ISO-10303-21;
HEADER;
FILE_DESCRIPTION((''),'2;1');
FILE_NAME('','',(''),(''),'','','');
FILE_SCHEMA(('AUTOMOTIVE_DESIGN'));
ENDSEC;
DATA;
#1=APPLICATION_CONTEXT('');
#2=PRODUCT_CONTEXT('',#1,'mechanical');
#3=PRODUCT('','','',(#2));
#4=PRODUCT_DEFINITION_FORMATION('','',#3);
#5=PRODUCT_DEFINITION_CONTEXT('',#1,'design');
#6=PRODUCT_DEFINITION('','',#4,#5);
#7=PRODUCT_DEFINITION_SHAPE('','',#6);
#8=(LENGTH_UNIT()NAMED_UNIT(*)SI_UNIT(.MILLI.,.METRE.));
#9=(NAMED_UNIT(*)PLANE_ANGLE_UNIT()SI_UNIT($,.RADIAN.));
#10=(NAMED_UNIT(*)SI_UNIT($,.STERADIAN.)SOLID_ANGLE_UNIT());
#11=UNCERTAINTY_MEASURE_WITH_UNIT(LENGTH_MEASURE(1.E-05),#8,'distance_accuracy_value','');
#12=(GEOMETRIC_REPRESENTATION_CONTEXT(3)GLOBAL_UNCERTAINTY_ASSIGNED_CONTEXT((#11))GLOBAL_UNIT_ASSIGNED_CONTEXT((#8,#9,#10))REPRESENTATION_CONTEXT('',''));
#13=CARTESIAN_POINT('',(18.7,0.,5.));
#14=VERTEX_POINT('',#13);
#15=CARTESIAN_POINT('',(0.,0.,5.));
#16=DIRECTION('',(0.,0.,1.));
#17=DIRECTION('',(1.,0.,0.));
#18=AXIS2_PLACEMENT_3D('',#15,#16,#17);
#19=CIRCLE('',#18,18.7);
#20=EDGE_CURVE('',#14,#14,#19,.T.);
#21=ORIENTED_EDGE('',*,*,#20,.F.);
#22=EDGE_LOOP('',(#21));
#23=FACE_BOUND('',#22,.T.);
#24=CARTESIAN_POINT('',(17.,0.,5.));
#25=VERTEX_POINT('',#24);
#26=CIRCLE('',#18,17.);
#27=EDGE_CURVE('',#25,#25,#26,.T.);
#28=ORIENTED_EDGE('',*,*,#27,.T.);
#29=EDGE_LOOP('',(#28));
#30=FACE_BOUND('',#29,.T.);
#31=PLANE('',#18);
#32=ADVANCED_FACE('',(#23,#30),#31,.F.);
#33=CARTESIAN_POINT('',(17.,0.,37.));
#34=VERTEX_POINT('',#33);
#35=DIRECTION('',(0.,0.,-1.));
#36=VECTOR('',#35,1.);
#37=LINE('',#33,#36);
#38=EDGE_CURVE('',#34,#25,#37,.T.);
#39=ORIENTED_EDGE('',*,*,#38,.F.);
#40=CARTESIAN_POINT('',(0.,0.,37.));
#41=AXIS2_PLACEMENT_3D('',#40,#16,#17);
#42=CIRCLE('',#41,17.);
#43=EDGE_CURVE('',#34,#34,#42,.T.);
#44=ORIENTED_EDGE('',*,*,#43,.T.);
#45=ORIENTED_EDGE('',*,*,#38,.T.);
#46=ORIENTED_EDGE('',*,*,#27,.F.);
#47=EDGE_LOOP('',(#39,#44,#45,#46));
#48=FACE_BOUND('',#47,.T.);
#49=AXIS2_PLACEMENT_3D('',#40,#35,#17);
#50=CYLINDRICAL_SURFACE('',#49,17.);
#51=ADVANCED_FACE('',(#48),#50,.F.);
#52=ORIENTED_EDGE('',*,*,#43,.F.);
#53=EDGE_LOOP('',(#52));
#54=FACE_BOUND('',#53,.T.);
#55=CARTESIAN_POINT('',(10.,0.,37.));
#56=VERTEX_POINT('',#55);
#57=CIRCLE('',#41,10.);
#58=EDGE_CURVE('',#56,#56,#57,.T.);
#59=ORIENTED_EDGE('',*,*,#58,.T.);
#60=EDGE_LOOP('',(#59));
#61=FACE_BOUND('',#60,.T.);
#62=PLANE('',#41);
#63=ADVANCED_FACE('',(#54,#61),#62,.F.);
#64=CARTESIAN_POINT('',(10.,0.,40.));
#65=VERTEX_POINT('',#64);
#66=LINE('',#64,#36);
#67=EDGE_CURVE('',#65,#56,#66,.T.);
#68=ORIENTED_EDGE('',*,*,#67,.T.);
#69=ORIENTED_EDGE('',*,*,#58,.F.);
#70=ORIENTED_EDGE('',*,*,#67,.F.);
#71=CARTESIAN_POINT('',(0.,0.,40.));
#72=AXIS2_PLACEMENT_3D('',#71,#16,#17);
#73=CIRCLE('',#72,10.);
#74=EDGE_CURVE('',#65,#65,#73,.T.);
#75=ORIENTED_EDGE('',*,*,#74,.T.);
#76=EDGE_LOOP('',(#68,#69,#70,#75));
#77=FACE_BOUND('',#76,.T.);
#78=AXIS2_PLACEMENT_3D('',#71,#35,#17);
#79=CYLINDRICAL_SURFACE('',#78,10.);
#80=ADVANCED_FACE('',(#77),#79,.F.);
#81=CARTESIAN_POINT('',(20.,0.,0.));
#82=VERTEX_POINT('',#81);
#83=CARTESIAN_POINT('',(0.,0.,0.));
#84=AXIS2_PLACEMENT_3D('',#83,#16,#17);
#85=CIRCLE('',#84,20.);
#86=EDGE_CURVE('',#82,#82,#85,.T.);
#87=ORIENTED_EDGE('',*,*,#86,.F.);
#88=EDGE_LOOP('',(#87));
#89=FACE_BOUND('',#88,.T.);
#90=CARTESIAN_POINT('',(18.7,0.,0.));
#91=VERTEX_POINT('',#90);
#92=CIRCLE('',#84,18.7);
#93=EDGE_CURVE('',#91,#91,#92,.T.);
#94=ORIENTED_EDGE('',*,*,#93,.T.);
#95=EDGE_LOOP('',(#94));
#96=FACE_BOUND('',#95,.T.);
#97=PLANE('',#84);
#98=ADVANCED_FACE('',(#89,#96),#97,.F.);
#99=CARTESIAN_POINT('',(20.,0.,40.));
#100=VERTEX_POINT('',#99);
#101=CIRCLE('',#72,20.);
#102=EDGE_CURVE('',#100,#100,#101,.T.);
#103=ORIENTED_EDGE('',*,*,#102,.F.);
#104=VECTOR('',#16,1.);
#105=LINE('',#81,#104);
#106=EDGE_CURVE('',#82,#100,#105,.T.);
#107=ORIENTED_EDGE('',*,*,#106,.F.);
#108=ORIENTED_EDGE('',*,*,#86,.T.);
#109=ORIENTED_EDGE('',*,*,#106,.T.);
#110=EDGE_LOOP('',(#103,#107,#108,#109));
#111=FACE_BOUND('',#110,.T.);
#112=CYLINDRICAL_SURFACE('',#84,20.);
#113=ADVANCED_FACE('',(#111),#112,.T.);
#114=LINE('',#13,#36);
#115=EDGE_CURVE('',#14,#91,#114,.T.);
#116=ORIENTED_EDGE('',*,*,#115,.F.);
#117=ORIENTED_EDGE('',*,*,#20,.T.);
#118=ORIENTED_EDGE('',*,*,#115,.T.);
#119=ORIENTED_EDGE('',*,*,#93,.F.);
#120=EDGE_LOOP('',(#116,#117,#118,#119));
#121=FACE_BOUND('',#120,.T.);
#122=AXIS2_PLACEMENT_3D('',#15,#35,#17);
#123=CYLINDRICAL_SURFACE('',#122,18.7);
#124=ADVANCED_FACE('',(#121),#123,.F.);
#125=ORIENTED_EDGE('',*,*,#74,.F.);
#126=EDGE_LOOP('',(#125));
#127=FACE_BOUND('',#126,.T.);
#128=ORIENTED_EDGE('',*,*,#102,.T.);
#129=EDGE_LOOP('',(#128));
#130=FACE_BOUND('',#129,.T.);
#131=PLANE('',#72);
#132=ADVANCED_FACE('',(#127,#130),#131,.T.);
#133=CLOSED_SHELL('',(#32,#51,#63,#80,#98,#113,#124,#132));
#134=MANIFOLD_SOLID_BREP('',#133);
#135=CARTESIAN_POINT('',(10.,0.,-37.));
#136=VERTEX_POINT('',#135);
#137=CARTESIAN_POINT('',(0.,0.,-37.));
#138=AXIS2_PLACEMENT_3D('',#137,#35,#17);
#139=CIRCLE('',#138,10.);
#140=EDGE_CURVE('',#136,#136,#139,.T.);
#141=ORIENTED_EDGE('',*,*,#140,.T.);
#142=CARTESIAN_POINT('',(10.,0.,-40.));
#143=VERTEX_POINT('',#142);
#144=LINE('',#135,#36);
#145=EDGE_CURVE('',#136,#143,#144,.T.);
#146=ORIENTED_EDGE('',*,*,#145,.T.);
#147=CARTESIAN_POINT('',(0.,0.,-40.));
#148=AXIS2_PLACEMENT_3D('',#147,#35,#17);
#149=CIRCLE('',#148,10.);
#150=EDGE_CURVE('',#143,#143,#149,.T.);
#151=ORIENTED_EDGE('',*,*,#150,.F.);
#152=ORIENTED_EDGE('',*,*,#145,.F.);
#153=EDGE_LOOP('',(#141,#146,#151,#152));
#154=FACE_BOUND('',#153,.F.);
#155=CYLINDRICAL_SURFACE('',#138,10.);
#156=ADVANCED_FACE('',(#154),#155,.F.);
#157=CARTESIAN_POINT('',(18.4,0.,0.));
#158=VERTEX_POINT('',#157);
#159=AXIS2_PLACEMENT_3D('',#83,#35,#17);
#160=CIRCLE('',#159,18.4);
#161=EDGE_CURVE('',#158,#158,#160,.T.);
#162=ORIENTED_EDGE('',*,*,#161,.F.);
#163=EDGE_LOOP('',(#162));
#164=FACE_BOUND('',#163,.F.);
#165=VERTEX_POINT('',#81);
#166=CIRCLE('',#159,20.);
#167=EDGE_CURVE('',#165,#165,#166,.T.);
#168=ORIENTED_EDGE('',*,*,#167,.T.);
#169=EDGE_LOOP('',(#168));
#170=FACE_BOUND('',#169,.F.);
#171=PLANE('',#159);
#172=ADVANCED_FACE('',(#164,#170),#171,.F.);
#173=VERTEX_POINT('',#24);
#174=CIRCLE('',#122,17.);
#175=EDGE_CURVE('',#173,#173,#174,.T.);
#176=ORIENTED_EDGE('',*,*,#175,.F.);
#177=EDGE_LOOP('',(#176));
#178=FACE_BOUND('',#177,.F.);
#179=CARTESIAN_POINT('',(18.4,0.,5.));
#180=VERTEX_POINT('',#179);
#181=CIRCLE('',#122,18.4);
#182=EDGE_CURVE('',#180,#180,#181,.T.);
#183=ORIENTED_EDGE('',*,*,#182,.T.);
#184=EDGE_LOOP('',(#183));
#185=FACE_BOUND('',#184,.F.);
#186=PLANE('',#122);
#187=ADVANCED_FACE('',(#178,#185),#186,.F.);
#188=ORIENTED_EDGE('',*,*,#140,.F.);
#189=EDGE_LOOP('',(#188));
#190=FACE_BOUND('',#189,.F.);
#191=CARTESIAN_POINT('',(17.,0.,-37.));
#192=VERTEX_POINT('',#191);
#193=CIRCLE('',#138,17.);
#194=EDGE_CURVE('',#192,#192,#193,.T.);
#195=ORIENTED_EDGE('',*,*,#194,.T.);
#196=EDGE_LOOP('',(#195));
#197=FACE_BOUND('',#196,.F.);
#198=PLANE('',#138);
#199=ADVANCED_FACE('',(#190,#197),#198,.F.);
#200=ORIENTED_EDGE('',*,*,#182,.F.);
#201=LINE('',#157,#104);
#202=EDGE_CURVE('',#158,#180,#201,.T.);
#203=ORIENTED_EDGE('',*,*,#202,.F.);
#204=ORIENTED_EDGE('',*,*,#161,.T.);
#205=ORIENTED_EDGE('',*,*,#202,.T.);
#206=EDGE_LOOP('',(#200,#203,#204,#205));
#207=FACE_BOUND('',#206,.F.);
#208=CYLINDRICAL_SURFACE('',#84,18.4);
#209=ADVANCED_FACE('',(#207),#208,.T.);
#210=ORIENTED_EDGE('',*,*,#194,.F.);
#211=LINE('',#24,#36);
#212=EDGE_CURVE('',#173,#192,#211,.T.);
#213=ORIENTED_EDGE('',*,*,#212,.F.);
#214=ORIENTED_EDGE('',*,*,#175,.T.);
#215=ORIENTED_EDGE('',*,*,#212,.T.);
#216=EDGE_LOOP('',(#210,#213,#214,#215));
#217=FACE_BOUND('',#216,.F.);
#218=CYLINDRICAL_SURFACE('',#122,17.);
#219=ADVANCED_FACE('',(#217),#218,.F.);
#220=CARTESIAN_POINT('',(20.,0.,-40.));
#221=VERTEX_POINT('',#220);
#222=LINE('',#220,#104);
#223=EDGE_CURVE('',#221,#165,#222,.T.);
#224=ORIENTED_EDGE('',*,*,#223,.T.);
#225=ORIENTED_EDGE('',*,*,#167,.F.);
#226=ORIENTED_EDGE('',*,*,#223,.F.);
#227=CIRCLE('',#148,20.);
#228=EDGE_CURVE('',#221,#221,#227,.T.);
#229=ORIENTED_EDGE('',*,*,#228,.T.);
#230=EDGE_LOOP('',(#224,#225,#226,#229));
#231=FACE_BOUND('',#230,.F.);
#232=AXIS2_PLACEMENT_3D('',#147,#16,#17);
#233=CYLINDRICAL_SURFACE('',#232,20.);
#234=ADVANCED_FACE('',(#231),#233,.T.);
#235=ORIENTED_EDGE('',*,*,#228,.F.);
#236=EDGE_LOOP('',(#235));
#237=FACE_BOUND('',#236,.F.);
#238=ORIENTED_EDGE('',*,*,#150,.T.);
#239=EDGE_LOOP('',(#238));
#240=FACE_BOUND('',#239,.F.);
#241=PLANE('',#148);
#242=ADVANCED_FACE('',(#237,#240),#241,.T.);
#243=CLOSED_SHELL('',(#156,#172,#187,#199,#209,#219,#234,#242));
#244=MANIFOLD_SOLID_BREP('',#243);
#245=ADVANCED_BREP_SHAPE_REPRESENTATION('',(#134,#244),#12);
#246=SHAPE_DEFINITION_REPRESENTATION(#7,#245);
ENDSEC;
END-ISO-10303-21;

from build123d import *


with BuildPart() as f1:
    # F0 (on Front) → F1 (revolve)
    with BuildSketch(Plane.XZ):
        Polygon((20, 40), (10, 40), (10, 37), (17, 37), (17, 5), (18.7, 5), (18.7, 0), (20, 0), align=None)
    revolve(axis=Axis((0, 0, 16.183771), (0, 0, 1)))


with BuildPart() as f3:
    # F2 (on Front) → F3 (revolve)
    with BuildSketch(Plane.XZ):
        Polygon((20, -40), (20, 0), (18.4, 0), (18.4, 5), (17, 5), (17, 0), (17, -37), (10, -37), (10, -40), align=None)
    revolve(axis=Axis((0, 0, -7.997736), (0, 0, -1)))


solid = Compound([f1.part, f3.part])
